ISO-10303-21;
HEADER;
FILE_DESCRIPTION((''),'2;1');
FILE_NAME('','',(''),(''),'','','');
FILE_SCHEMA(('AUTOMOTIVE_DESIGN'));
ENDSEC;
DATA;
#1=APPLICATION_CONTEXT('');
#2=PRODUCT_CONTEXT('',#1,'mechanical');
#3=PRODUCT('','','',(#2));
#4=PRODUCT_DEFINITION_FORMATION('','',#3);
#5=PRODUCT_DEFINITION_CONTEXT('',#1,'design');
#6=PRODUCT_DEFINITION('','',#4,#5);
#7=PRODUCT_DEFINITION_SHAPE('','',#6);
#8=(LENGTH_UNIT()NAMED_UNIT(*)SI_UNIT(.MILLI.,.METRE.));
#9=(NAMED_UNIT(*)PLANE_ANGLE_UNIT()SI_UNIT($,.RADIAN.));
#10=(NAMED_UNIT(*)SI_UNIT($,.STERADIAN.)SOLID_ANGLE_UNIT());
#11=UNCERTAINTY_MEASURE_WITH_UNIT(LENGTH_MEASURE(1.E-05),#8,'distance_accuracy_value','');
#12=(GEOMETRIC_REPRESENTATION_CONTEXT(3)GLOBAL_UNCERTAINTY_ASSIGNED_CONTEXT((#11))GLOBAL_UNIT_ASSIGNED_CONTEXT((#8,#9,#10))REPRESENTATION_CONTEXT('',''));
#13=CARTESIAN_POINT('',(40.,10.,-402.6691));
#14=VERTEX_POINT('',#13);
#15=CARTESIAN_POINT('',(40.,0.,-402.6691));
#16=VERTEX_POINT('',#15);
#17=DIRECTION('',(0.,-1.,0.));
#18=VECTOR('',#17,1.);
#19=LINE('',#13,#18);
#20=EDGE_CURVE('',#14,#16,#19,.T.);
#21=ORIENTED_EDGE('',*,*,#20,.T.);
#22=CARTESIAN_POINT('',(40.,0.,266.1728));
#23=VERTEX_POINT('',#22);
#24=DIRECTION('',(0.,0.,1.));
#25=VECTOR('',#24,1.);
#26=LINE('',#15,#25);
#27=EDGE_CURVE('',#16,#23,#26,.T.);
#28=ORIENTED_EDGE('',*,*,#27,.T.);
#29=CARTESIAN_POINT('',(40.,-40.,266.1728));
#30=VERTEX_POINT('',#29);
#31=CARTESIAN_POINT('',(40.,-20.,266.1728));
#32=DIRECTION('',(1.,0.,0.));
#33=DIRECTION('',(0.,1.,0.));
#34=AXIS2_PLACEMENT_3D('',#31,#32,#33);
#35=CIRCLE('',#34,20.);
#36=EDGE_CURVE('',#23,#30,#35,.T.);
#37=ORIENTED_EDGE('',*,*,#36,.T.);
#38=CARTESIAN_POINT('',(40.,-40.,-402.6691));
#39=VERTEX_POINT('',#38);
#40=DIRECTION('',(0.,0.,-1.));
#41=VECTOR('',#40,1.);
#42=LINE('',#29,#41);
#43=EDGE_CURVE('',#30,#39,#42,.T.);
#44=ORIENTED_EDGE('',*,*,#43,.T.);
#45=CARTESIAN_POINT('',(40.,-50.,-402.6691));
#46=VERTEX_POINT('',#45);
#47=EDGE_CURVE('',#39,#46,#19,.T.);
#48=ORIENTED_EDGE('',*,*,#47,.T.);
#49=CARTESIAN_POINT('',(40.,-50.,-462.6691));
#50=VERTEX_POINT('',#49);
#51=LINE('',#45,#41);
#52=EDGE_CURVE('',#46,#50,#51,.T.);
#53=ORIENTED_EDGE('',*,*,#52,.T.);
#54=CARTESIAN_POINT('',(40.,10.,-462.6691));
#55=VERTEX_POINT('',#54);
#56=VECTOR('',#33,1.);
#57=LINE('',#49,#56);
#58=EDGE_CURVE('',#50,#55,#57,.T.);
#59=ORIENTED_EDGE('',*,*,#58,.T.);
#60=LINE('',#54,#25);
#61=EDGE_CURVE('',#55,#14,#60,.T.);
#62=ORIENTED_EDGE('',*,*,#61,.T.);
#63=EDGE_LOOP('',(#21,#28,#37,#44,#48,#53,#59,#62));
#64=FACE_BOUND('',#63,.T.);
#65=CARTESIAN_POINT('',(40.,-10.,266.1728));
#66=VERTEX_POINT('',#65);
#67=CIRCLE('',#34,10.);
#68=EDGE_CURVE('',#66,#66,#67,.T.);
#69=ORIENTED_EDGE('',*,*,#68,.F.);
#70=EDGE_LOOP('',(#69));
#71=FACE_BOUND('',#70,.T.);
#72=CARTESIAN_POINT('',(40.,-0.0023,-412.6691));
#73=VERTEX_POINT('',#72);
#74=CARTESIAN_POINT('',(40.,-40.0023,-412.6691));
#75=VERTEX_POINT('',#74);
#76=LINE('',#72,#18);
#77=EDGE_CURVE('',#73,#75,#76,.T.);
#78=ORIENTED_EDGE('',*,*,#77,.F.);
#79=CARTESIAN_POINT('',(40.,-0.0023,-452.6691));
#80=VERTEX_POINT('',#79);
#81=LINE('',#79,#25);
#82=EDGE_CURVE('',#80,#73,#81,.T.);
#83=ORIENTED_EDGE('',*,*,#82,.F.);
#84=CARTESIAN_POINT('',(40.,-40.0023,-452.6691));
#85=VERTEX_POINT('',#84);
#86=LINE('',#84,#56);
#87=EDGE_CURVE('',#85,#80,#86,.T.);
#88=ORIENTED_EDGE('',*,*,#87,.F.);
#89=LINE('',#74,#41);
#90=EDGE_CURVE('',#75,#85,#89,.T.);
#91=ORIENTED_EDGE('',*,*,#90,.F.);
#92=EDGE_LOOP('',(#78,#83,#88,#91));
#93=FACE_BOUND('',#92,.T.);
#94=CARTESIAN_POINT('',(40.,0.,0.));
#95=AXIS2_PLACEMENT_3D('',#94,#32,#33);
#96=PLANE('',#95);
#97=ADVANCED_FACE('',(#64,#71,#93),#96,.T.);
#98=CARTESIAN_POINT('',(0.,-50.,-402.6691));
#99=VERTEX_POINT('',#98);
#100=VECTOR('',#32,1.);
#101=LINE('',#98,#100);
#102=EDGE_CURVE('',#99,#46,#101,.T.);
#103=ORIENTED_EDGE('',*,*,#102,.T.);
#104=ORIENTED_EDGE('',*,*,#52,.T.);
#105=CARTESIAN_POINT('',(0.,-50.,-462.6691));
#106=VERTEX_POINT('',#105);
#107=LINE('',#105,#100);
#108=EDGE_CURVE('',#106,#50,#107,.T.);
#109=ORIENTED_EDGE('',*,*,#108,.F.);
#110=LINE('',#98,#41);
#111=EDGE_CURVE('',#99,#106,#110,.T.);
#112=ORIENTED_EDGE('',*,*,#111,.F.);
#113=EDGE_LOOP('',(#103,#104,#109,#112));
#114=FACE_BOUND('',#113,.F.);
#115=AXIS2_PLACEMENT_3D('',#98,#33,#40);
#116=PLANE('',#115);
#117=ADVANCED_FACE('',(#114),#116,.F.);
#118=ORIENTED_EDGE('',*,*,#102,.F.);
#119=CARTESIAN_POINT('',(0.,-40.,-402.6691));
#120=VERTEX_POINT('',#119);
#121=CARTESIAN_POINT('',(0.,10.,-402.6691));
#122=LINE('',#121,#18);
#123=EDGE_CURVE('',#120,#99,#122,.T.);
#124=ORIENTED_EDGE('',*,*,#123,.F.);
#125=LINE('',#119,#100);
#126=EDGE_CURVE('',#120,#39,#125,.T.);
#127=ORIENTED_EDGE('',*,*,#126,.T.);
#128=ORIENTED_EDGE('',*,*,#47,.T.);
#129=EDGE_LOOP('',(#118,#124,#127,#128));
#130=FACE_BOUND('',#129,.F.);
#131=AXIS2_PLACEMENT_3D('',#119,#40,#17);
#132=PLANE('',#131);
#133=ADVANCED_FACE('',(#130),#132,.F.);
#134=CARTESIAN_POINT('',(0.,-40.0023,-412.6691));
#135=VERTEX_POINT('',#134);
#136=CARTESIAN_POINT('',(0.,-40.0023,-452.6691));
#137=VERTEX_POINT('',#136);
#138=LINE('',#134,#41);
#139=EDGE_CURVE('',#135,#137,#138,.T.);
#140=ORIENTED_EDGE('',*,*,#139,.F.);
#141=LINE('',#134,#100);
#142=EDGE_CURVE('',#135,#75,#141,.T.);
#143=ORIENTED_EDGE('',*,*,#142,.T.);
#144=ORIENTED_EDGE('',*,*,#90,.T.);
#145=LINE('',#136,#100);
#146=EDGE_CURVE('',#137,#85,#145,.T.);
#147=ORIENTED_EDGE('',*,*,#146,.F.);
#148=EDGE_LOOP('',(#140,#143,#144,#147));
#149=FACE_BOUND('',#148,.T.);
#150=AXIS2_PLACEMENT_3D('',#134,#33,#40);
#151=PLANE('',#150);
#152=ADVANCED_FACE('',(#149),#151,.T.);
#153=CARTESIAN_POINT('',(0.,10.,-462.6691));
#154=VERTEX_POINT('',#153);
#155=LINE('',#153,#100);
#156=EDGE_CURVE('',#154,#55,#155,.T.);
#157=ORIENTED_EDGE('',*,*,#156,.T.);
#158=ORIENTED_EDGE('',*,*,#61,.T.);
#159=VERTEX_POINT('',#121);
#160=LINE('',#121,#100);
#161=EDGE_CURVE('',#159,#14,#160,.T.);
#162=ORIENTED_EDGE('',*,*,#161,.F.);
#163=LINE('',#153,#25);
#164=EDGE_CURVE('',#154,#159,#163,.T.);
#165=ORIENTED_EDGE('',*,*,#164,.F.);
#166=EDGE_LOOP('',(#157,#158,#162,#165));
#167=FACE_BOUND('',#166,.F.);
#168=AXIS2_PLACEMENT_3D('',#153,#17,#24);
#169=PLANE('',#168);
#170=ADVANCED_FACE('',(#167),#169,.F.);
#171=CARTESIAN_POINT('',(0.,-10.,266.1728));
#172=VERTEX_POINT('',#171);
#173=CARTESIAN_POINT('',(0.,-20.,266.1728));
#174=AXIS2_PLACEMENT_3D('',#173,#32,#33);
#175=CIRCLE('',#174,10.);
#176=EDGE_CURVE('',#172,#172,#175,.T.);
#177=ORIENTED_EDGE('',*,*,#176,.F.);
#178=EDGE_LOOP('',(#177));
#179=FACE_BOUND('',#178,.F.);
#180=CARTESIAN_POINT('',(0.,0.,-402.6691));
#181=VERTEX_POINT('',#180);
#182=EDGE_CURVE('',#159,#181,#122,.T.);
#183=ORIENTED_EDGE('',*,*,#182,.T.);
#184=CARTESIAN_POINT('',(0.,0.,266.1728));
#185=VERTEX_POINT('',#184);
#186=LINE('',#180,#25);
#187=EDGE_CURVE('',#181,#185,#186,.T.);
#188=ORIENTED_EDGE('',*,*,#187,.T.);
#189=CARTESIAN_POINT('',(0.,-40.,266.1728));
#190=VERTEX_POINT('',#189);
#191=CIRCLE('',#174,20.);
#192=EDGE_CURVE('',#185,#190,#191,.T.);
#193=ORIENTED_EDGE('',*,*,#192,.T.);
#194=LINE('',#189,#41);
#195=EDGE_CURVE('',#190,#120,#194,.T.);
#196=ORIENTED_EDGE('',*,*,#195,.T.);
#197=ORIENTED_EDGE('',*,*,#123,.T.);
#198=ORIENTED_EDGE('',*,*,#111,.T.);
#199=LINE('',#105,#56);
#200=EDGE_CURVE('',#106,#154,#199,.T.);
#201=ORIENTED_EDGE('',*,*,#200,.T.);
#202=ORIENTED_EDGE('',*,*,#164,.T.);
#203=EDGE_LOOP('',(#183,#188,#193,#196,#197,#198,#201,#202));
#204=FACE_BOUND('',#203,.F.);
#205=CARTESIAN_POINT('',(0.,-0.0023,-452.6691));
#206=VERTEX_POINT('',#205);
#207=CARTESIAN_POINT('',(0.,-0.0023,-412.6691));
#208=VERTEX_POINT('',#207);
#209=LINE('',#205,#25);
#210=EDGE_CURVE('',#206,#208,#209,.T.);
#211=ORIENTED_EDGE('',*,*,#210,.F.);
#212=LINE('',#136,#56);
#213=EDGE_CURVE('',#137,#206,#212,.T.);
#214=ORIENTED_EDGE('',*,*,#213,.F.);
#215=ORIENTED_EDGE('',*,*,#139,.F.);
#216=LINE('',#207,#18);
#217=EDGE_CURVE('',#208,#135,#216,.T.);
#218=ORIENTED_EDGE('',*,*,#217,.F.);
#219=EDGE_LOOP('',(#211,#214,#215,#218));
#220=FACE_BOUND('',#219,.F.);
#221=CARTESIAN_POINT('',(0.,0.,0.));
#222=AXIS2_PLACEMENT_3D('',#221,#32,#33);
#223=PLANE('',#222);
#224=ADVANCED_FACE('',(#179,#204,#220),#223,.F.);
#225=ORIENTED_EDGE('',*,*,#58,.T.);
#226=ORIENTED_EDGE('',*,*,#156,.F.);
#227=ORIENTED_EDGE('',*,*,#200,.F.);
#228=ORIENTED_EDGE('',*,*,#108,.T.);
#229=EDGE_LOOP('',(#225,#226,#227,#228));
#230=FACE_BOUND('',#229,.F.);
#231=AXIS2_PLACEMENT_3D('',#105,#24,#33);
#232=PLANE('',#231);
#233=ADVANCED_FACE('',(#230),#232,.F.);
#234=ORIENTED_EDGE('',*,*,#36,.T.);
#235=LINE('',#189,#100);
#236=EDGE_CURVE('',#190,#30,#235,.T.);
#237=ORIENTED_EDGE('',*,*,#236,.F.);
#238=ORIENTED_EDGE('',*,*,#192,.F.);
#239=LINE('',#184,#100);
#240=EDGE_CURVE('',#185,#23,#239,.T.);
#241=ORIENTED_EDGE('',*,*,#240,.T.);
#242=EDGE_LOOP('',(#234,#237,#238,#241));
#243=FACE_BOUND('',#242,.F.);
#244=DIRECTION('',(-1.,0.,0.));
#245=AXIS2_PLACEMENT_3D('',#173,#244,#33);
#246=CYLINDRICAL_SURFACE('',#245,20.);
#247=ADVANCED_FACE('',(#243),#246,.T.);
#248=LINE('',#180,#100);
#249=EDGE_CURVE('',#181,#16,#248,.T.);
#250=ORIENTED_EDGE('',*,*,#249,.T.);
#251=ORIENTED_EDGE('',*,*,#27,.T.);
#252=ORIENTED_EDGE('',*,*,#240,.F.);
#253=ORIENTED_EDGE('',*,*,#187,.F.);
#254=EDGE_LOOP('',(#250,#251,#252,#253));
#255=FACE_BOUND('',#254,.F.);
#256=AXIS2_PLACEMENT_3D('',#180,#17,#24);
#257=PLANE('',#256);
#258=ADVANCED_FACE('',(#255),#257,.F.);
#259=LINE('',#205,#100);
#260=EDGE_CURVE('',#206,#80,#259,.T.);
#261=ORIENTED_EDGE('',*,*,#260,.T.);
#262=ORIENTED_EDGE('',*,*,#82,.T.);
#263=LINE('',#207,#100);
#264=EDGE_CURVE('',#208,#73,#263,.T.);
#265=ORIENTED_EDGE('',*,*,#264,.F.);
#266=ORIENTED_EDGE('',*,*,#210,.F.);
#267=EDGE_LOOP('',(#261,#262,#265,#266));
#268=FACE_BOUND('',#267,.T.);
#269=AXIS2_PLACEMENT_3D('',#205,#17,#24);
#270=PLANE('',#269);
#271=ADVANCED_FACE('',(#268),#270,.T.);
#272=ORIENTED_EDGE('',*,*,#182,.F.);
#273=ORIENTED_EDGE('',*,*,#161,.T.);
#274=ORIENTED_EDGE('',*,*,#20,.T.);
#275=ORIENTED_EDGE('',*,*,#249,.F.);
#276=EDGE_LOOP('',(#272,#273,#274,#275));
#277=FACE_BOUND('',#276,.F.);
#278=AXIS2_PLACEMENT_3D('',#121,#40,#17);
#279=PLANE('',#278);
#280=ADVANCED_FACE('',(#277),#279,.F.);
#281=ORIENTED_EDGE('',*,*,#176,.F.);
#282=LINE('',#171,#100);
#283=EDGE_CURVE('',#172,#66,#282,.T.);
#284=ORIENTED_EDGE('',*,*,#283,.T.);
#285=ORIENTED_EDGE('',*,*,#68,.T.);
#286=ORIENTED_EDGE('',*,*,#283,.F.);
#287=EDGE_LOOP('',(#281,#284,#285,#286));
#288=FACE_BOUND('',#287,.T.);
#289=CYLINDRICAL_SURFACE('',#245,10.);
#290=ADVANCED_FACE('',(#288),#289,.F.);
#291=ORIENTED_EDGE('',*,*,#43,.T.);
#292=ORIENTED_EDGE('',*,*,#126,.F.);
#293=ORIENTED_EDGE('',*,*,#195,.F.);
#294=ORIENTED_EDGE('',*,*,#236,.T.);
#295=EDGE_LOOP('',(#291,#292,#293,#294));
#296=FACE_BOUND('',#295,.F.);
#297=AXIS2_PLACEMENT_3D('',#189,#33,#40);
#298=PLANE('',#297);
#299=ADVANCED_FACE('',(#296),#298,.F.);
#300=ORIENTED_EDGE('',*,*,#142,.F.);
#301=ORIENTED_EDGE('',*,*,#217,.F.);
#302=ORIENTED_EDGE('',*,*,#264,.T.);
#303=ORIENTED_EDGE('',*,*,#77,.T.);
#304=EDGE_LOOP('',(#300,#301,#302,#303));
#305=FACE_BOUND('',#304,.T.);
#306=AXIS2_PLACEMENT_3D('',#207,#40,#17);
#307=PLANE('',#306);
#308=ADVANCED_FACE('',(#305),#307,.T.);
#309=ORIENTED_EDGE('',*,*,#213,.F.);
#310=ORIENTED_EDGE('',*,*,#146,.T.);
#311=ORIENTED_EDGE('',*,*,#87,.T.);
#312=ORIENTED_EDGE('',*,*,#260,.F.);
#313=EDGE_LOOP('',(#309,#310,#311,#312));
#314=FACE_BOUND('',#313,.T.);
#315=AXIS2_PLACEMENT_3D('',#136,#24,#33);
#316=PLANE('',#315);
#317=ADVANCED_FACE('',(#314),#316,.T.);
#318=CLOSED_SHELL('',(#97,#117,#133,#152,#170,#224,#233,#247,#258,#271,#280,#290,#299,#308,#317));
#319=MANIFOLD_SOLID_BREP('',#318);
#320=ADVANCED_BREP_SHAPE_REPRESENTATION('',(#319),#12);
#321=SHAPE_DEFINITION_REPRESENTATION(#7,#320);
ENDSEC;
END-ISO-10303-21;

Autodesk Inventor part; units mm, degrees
ref_plane "YZ Plane" through (0, 0, 0) normal (1, 0, 0) x (0, 1, 0)
ref_plane "XZ Plane" through (0, 0, 0) normal (0, 1, 0) x (-1, 0, 0)
ref_plane "XY Plane" through (0, 0, 0) normal (0, 0, 1) x (1, 0, 0)
sketch "Sketch1" plane through (0, 0, 0) normal (1, 0, 0) x (0, 1, 0)
  arc A0 (0, 266.1728) -> (-40, 266.1728) centre (-20, 266.1728) ccw
  circle A1 centre (-20, 266.1728) radius 10
  line L0 (0, 266.1728) -> (-10, 266.1728)
  line L1 (-0.0023, -412.6691) -> (-40.0023, -412.6691)
  line L2 (-40.0023, -412.6691) -> (-40.0023, -452.6691)
  line L3 (-40.0023, -452.6691) -> (-0.0023, -452.6691)
  line L4 (-0.0023, -452.6691) -> (-0.0023, -412.6691)
  line L5 (-50, -462.6691) -> (10, -462.6691)
  line L6 (10, -462.6691) -> (10, -402.6691)
  line L7 (10, -402.6691) -> (-50, -402.6691)
  line L8 (-50, -402.6691) -> (-50, -462.6691)
  line L9 (-40, 266.1728) -> (-40, -402.6691)
  line L10 (0, -402.6691) -> (0, 266.1728)
  point P0 (0, 0)
  dimension "d5" = 20
  dimension "d4" = 40
  dimension "d6" = 40
  dimension "d7" = 40
  dimension "d8" = 60
  dimension "d9" = 60
  dimension "d11" = 10
  dimension "d13" = 20
extrude "Extrusion1" add sketch "Sketch1" along normal blind 40
properties part number "long extention"
